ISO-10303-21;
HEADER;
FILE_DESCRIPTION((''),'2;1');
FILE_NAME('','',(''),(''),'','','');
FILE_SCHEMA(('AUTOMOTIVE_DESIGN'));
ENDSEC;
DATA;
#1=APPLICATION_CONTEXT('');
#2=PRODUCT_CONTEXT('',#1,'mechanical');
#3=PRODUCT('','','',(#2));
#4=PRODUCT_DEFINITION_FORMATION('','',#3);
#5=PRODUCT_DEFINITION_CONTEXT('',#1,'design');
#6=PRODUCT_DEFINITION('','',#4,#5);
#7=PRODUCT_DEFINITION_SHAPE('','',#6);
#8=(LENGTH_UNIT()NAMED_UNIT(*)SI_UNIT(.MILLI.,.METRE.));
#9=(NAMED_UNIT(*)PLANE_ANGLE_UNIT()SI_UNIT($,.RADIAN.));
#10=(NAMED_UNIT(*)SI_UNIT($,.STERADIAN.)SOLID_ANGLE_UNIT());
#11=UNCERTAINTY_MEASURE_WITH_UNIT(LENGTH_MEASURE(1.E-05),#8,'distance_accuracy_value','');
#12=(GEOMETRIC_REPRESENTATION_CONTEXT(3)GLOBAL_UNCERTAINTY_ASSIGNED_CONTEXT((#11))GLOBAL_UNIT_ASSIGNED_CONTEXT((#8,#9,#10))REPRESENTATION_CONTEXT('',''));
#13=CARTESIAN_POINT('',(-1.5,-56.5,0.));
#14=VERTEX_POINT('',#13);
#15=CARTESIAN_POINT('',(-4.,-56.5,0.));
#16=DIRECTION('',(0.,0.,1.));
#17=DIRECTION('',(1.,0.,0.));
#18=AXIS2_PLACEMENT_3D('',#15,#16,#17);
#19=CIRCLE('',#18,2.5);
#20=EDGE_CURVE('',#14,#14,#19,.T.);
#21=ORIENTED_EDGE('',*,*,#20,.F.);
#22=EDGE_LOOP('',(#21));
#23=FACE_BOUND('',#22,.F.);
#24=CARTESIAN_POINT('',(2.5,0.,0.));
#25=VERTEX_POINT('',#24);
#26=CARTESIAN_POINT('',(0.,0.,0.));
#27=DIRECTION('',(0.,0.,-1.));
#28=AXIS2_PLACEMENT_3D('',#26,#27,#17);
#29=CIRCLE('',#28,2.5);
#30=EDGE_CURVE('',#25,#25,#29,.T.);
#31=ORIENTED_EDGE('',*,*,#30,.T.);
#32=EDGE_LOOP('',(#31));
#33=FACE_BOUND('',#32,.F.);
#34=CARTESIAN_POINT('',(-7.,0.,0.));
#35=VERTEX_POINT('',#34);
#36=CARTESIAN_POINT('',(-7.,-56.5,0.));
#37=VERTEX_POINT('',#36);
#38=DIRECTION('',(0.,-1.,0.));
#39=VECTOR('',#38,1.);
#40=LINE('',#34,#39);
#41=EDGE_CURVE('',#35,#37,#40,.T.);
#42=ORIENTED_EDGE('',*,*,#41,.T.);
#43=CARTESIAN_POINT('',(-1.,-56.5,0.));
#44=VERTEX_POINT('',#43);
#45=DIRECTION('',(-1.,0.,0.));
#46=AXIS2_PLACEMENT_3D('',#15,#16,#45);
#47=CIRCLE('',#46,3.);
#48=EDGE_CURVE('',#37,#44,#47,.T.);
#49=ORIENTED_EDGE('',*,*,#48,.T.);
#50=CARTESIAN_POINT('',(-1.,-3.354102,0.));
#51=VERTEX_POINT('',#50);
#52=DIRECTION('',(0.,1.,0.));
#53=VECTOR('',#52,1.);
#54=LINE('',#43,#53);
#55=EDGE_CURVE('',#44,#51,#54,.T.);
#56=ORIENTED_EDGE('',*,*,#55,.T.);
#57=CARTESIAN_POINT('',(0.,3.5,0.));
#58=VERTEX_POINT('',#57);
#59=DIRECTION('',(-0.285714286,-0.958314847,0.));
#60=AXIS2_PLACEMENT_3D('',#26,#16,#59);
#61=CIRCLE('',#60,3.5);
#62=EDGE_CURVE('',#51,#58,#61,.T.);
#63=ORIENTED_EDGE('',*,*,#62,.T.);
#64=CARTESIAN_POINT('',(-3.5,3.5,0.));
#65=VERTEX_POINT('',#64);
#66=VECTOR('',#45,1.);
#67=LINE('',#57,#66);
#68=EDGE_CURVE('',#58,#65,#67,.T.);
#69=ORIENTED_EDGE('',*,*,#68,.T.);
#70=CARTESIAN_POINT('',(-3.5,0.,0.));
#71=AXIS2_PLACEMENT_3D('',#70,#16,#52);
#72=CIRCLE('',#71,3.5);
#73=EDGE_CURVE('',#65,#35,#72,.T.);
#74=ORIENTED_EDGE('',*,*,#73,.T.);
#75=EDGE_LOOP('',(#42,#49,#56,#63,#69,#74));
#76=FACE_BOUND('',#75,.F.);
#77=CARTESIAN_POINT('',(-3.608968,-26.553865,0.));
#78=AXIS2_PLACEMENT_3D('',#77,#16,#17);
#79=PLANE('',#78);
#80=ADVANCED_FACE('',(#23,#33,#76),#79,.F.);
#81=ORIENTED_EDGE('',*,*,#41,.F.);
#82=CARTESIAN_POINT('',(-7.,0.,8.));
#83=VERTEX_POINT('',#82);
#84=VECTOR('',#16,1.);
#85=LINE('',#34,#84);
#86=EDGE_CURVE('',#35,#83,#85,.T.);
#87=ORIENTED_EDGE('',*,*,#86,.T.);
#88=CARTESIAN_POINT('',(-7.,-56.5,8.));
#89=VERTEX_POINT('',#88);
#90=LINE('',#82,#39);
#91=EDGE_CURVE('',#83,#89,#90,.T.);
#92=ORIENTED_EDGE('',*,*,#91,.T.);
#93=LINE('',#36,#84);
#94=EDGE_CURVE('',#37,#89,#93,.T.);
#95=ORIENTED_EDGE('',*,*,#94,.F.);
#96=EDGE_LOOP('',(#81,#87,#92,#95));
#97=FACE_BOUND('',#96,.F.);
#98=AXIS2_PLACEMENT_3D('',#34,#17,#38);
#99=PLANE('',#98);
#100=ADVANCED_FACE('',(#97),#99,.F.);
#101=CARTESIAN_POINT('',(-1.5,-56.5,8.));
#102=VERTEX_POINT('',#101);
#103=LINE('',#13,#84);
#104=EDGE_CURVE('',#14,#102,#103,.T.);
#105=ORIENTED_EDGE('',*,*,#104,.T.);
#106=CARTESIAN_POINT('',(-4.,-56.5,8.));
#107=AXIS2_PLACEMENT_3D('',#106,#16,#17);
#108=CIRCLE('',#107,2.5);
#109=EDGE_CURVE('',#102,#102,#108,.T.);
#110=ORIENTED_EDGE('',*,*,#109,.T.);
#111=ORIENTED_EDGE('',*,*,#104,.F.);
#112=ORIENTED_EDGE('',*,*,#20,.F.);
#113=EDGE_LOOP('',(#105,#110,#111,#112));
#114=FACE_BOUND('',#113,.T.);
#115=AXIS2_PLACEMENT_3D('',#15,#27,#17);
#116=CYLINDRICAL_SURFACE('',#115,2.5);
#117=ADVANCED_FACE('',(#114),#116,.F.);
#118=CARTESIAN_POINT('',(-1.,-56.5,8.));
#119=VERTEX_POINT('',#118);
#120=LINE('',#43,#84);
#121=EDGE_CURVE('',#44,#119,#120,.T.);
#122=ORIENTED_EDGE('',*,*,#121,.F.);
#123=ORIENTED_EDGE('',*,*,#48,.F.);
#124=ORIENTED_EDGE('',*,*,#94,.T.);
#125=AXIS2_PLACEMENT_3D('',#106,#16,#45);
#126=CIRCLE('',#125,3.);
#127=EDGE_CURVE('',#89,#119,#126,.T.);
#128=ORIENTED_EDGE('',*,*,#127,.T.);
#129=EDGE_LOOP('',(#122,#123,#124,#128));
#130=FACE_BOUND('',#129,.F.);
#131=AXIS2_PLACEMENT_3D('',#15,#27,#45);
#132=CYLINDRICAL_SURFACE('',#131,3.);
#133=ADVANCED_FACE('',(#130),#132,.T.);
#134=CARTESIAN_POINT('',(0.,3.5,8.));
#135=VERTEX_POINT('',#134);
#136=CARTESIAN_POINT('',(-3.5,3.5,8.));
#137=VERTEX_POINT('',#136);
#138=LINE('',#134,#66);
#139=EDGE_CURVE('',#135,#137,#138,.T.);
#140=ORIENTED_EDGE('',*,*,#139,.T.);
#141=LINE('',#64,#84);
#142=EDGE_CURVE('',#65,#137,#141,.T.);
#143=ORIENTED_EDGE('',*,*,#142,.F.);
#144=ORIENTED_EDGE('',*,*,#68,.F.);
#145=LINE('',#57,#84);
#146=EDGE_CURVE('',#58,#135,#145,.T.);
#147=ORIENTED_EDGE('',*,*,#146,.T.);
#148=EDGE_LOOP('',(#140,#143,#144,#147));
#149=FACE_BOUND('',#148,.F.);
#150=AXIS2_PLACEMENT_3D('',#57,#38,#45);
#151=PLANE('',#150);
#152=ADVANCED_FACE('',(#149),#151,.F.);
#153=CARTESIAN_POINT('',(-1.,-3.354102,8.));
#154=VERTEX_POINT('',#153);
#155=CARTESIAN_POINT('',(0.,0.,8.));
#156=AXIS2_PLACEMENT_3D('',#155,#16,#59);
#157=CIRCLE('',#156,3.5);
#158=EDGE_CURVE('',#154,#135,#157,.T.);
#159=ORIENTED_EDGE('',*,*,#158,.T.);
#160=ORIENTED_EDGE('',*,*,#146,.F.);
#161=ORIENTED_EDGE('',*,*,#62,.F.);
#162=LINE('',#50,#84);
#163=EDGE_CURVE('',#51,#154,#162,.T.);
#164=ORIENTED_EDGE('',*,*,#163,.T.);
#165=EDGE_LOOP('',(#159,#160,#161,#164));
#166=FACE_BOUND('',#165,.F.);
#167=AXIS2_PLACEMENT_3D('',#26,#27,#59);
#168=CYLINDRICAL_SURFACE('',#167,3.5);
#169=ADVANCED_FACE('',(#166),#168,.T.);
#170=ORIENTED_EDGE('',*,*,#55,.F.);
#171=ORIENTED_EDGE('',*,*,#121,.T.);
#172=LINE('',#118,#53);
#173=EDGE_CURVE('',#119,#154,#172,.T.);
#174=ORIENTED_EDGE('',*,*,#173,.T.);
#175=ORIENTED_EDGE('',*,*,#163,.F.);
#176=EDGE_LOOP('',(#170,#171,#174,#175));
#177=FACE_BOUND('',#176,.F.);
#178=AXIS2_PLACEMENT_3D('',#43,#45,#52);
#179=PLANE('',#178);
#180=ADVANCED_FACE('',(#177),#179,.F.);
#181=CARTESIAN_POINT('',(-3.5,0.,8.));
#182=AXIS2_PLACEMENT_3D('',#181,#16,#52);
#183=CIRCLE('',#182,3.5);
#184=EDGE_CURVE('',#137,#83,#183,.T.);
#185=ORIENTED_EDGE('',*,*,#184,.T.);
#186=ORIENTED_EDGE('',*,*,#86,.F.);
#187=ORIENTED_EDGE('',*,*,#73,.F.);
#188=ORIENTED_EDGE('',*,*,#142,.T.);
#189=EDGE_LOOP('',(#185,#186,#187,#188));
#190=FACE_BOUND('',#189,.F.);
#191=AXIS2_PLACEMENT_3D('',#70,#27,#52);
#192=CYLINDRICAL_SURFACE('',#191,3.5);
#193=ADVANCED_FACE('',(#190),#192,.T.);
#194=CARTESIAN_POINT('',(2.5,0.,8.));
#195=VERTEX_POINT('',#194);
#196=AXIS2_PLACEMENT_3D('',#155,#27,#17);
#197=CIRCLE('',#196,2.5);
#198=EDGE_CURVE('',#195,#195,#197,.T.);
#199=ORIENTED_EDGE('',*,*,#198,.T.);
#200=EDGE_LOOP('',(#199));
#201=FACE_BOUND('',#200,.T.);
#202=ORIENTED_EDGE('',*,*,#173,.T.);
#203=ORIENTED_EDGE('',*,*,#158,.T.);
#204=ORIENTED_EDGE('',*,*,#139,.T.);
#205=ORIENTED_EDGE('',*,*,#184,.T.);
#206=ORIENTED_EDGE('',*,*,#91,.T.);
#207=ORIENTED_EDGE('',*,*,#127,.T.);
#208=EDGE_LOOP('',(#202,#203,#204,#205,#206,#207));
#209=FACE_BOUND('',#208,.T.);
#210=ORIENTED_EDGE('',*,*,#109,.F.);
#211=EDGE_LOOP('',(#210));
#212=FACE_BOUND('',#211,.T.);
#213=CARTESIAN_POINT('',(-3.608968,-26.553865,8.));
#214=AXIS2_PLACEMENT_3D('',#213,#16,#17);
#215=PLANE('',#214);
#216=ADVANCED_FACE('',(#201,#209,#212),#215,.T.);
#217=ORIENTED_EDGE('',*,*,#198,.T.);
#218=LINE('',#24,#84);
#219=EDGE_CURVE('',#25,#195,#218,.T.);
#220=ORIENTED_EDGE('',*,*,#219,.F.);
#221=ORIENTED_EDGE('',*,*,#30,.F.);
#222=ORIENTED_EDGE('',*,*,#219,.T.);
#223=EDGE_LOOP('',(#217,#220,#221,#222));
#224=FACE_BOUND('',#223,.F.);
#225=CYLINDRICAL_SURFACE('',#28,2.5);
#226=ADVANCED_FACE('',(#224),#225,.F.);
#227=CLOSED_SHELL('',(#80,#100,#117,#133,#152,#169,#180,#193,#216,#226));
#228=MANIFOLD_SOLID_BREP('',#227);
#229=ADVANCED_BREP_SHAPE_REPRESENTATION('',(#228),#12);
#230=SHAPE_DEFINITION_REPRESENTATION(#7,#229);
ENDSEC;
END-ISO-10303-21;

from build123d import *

# Parameters (mm, degrees)
F0_R     = 2.5
F1_DEPTH = 8


with BuildPart() as f1:
    # F0 (on Top) → F1 (new body)
    with BuildSketch(Plane.XY):
        with BuildLine():
            ThreePointArc((-3.5, 3.5), (-5.9748737342, 2.4748737342), (-7, 0))
            Line((-7, 0), (-7, -56.5))
            ThreePointArc((-7, -56.5), (-4, -59.5), (-1, -56.5))
            Line((-1, -56.5), (-1, -3.3541019662))
            ThreePointArc((-1, -3.3541019662), (3.4633334291, -0.5052935375), (0, 3.5))
            Line((0, 3.5), (-3.5, 3.5))
        make_face()
        with Locations((-4, -56.5)):
            Circle(F0_R, mode=Mode.SUBTRACT)
        with BuildLine():
            ThreePointArc((-2.5, 0), (0, 2.5), (2.5, 0))
            ThreePointArc((2.5, 0), (0, -2.5), (-2.5, 0))
        make_face(mode=Mode.SUBTRACT)
    extrude(amount=F1_DEPTH)


solid = f1.part
